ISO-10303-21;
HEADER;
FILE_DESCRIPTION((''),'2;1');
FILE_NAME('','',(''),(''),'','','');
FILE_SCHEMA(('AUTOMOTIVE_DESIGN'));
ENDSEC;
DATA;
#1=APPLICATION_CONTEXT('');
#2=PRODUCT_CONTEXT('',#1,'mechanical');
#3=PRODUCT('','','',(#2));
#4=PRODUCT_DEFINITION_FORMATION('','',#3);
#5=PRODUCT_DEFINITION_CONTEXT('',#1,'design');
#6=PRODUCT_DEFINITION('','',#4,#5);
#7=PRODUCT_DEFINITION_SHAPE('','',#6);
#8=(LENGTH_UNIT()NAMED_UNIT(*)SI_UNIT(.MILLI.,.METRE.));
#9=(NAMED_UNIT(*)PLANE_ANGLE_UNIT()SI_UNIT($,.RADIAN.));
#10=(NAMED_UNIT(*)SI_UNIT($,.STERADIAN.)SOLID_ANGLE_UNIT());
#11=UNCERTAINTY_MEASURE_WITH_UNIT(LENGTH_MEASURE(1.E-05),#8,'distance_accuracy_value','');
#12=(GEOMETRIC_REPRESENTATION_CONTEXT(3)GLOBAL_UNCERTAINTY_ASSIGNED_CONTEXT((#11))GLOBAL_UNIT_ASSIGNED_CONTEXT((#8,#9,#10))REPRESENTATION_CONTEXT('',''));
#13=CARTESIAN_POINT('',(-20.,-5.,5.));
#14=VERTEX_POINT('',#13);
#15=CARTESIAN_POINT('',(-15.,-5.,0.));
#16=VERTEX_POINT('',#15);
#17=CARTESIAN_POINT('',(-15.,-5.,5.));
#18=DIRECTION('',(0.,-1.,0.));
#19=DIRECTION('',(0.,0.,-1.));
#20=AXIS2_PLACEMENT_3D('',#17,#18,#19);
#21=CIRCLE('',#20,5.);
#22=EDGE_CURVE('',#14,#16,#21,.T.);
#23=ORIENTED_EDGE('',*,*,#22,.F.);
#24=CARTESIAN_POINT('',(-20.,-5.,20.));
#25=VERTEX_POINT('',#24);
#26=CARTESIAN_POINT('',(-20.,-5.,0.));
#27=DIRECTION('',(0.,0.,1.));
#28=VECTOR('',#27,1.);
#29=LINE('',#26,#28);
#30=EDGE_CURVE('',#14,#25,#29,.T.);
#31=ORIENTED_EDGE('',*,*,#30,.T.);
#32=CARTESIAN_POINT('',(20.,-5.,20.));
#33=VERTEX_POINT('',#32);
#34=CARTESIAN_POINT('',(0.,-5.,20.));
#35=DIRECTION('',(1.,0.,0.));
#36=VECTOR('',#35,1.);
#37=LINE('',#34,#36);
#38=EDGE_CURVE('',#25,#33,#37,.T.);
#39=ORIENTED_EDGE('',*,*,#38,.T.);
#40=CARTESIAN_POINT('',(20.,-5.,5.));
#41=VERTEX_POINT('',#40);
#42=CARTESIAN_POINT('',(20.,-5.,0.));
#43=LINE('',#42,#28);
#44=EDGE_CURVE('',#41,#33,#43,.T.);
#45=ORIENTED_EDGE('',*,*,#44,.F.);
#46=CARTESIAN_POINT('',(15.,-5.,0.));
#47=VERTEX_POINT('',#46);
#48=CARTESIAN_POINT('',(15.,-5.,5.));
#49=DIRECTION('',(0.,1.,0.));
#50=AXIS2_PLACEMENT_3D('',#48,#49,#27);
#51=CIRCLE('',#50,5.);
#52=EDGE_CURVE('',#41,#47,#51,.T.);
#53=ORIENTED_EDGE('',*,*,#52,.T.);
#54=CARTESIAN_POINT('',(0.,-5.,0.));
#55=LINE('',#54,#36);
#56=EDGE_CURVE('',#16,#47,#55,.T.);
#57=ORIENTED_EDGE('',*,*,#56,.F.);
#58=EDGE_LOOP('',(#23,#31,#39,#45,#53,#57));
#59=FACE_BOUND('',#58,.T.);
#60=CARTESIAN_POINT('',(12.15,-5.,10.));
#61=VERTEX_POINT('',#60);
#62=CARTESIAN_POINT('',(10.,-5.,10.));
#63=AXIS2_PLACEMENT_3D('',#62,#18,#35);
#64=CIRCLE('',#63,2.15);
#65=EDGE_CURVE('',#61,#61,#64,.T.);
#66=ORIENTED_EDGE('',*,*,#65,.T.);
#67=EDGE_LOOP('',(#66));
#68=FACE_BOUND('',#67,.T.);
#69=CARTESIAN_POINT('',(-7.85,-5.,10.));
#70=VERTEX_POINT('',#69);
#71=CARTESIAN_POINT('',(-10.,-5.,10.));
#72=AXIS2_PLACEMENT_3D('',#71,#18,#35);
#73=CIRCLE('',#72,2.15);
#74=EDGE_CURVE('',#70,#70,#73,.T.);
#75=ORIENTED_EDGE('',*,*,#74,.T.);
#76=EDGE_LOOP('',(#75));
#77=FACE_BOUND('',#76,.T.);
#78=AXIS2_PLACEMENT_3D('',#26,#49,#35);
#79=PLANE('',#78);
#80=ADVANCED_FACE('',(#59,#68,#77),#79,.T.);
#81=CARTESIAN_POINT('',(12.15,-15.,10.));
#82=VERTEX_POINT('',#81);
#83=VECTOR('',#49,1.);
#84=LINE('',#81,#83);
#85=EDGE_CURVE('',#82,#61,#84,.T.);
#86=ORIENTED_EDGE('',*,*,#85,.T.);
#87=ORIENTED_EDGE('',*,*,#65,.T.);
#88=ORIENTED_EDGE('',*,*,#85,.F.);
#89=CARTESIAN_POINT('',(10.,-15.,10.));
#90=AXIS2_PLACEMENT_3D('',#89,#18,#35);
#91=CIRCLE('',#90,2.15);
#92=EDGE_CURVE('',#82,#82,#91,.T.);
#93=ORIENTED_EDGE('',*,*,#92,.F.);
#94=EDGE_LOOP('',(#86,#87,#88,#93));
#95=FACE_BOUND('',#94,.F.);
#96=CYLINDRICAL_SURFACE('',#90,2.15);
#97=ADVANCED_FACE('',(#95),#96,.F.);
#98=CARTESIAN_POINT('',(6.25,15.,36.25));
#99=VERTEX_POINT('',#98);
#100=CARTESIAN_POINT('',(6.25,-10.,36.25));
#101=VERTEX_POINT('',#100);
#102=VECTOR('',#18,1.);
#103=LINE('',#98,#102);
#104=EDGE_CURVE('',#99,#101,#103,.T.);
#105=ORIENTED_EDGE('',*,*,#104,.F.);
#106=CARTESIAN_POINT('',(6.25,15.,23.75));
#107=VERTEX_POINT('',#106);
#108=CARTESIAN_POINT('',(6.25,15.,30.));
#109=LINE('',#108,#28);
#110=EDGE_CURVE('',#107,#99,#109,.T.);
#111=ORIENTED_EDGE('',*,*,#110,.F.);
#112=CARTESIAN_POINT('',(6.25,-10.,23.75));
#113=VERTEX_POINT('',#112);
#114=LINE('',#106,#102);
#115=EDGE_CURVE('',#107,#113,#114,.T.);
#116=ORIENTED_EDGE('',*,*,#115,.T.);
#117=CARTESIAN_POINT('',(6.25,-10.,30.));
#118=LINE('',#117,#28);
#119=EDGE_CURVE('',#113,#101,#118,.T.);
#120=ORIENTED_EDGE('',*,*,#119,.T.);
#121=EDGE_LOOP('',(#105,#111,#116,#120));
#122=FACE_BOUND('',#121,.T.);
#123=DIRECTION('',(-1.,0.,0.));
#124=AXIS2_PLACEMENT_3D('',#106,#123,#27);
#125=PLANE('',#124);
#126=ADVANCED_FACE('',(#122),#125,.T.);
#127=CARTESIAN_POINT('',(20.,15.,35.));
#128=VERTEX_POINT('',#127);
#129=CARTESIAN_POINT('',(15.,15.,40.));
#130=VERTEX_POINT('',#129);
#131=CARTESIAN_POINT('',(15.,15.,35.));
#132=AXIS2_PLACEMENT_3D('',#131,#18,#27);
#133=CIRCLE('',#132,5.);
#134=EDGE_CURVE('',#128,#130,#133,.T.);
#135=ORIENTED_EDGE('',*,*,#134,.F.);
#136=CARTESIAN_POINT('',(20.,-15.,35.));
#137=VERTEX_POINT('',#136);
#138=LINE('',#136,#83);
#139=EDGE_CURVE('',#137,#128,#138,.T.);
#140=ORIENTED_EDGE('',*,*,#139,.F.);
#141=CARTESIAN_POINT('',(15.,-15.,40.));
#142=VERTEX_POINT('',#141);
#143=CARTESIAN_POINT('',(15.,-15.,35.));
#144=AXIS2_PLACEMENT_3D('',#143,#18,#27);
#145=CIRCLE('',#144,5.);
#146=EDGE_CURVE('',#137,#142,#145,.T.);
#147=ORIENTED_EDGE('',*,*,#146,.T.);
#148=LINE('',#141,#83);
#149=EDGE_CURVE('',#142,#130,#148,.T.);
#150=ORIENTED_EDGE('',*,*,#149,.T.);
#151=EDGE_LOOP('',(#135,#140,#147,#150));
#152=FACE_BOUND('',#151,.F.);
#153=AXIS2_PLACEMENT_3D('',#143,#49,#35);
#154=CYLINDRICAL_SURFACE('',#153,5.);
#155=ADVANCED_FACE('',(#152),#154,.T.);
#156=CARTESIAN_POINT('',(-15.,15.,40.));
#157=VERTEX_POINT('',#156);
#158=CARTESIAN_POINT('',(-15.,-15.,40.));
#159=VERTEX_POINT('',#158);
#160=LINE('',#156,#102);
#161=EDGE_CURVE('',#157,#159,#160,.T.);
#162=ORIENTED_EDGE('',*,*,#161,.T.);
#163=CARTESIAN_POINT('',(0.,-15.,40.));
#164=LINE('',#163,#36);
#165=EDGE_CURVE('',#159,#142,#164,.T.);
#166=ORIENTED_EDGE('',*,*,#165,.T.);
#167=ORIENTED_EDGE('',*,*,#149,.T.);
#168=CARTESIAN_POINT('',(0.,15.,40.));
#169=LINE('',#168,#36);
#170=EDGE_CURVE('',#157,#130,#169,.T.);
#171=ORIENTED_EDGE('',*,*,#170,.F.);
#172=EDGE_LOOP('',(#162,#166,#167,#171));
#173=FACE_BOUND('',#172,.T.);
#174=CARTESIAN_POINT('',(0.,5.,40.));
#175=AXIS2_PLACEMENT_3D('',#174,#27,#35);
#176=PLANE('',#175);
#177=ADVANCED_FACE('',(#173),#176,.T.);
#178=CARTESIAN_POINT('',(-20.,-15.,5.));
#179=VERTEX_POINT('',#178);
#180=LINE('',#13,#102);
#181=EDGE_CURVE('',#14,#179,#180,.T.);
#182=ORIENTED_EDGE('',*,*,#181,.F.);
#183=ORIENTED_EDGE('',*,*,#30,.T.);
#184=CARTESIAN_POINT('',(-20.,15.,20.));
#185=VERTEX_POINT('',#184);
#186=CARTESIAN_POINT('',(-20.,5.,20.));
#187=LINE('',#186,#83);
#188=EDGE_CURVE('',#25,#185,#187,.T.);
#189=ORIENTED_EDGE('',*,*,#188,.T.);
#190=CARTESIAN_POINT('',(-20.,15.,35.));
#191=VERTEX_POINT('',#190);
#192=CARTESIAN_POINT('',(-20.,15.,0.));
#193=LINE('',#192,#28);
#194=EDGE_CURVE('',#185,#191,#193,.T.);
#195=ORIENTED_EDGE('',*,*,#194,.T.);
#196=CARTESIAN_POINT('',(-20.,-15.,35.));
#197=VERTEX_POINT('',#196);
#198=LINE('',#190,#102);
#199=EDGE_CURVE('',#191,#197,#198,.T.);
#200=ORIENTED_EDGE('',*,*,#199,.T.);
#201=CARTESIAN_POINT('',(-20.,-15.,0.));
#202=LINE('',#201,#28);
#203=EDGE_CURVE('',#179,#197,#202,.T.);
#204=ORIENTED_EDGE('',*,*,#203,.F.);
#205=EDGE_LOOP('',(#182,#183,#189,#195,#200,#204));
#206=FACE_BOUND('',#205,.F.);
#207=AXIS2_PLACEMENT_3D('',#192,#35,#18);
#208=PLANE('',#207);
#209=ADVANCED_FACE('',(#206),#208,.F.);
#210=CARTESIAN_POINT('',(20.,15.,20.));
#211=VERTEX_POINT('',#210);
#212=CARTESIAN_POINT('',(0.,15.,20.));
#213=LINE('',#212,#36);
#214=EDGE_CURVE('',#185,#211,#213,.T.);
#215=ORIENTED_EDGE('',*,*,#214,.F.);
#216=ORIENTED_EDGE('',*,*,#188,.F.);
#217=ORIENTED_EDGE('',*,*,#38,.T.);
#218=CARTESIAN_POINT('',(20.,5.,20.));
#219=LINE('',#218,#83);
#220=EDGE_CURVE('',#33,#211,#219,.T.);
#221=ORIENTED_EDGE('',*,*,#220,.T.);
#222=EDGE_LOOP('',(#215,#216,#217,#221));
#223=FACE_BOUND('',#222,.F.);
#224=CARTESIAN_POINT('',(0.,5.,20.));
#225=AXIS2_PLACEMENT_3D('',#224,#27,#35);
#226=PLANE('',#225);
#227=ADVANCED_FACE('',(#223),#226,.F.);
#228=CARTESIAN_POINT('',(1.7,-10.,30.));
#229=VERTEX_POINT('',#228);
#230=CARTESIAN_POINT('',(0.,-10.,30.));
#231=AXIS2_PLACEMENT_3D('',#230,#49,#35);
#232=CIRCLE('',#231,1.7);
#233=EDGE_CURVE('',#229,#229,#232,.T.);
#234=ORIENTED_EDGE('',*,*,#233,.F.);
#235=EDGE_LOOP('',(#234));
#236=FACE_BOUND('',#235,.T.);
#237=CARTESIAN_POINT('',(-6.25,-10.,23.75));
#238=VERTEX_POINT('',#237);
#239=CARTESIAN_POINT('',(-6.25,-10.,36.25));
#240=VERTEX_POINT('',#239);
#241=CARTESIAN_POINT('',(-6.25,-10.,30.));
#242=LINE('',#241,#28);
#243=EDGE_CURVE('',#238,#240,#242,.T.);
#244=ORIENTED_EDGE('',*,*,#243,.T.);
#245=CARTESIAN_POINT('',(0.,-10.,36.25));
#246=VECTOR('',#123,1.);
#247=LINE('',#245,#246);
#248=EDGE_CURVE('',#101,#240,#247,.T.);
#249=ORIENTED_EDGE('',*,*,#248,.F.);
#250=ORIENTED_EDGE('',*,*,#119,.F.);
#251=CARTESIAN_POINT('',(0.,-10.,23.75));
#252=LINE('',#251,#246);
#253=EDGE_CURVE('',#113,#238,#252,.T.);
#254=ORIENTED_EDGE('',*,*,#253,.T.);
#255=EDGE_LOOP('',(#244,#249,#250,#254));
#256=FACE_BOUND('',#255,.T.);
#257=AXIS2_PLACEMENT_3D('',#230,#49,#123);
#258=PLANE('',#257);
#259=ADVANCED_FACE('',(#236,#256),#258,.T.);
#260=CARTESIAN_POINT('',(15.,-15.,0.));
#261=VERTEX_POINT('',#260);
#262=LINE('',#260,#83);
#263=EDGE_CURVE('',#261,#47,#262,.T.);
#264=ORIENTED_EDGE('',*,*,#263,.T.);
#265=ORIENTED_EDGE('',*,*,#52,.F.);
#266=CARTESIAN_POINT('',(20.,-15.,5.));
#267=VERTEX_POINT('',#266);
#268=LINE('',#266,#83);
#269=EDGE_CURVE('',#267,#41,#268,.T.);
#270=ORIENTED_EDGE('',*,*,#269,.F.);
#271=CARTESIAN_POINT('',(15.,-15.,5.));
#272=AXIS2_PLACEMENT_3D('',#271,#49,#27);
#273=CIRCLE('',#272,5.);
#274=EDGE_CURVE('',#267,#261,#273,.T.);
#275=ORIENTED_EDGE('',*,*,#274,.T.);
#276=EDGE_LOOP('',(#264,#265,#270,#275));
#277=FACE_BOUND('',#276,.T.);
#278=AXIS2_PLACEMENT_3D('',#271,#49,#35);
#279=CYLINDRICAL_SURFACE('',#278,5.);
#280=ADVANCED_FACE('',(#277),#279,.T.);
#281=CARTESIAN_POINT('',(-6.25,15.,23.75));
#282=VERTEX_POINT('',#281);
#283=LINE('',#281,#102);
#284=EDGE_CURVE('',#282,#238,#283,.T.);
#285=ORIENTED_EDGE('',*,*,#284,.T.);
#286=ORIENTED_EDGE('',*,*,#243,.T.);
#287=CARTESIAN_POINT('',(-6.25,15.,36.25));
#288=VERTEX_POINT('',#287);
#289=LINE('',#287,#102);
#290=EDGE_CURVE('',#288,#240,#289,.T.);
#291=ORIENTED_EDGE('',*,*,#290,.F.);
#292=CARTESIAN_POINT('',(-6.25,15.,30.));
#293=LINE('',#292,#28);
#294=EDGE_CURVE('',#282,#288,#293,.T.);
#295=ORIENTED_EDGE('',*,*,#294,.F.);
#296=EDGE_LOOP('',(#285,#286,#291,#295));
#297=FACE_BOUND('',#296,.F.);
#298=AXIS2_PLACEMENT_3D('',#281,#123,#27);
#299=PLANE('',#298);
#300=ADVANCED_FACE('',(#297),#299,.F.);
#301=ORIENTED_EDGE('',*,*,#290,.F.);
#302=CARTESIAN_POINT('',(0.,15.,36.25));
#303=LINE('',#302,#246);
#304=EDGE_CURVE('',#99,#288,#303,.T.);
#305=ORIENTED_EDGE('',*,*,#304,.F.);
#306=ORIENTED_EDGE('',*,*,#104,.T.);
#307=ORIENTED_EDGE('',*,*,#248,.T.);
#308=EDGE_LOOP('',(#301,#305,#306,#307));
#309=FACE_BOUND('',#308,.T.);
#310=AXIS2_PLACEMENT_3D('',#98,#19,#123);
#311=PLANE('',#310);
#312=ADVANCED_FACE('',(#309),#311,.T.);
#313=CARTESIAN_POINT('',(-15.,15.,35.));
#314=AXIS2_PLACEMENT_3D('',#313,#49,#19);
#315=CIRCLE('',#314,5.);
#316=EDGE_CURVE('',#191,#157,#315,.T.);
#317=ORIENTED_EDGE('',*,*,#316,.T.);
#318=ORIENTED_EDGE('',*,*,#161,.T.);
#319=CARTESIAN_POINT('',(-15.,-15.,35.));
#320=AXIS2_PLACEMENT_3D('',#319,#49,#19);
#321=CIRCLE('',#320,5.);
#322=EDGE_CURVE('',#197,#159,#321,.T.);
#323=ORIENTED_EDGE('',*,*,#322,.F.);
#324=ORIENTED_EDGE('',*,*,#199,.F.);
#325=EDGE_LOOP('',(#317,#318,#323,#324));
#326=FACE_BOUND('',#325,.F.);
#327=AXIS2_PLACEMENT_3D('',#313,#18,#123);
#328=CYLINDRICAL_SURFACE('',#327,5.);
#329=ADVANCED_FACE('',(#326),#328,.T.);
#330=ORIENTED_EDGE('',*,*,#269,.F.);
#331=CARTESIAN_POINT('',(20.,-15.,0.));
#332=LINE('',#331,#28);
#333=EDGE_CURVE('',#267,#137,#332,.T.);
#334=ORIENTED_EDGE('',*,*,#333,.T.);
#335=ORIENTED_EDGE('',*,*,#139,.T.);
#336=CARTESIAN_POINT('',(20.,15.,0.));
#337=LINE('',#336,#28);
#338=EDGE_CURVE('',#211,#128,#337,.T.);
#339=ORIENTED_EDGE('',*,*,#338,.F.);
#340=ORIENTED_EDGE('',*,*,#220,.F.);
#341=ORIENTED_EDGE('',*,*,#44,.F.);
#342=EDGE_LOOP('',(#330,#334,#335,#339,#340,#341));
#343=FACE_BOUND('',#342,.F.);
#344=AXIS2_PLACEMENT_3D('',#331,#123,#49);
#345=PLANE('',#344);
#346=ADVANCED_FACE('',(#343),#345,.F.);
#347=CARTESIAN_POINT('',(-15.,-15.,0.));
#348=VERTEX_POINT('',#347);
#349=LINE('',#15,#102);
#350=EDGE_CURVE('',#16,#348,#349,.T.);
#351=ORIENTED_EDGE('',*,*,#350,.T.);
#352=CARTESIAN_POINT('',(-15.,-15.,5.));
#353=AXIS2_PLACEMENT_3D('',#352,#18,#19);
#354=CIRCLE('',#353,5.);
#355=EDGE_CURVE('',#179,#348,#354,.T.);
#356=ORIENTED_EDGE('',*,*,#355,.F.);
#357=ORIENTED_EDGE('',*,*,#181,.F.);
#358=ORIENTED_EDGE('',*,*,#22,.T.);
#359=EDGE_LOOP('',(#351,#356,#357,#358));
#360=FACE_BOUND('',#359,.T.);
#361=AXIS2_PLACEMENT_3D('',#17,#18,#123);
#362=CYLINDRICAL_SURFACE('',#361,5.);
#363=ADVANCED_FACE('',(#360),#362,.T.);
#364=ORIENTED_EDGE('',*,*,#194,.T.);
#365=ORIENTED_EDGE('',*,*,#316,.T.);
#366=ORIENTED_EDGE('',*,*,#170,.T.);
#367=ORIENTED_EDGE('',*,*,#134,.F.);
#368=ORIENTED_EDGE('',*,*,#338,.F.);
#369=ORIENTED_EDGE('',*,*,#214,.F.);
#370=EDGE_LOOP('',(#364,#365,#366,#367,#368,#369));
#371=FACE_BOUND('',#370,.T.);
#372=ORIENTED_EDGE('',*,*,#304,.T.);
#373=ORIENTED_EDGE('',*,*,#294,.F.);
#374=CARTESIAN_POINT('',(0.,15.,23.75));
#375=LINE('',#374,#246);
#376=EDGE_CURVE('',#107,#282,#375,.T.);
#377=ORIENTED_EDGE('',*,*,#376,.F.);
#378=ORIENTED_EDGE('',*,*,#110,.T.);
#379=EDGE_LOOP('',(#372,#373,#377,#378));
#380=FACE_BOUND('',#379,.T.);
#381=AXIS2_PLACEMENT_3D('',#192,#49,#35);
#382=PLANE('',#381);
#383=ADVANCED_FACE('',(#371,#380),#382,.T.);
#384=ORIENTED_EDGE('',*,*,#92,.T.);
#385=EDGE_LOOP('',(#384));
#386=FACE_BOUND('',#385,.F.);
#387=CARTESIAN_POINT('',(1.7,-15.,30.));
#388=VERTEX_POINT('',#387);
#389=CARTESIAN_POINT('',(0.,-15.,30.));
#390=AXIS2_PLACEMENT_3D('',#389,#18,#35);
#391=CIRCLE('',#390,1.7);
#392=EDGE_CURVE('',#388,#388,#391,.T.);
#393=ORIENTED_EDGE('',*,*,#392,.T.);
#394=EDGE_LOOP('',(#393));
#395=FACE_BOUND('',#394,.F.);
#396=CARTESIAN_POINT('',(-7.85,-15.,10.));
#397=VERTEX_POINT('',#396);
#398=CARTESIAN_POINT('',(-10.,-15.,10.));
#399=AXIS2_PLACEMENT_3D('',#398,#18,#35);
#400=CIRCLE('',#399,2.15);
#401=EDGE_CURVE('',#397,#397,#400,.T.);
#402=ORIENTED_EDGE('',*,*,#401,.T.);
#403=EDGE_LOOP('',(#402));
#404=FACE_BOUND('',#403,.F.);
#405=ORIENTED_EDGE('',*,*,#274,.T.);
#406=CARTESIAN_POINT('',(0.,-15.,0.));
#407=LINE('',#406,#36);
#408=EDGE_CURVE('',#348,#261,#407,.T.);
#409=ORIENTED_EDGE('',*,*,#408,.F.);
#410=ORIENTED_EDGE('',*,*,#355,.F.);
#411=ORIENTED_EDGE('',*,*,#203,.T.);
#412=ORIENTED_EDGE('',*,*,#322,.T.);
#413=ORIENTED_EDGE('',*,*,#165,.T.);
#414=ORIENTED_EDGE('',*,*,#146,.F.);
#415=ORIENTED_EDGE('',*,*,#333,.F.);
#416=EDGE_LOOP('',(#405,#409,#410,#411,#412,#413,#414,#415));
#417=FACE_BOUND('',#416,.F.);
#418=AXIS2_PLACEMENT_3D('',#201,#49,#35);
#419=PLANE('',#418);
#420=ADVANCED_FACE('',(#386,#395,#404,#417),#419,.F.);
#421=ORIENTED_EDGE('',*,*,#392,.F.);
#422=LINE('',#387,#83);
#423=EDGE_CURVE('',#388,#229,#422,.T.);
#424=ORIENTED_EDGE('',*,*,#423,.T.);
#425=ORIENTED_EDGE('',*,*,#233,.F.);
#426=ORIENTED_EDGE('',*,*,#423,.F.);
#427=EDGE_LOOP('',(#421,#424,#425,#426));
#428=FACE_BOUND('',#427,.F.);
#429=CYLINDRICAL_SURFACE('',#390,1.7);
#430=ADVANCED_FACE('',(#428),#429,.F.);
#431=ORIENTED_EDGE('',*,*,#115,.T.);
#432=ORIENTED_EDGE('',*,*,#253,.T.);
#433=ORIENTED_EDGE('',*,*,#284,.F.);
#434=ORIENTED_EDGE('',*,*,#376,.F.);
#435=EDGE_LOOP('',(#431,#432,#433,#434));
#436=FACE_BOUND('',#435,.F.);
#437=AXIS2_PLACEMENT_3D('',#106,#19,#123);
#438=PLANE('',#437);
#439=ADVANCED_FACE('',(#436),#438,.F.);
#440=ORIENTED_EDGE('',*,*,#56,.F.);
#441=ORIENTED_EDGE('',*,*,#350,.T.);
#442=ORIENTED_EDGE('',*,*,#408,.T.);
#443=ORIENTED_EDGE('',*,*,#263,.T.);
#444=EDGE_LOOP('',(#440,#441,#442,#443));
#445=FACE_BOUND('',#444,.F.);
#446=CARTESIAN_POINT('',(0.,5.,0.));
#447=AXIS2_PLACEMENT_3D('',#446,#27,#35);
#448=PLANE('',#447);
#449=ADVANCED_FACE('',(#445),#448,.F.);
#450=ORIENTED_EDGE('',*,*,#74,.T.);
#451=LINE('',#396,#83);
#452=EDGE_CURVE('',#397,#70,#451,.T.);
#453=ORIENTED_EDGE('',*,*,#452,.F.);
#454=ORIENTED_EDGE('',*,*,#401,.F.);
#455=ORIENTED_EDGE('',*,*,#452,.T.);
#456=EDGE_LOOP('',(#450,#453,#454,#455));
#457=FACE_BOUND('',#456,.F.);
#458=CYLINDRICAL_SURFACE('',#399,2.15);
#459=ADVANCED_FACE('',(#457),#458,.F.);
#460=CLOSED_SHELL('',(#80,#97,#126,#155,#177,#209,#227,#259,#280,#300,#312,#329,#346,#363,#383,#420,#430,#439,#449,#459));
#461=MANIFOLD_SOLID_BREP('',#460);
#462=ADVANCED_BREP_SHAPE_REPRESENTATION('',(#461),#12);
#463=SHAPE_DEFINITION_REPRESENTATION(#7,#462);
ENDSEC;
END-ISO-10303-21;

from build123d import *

# Parameters (mm, degrees)
F0_W     = 40
F0_H     = 20
F0_H_2   = 10
F1_DEPTH = 40
F2_DEPTH = 20
F3_R     = 2.15
F3_R_2   = 1.7
F4_DEPTH = 40
F5_W     = 12.5
F5_H     = 12.5
F5_R     = 1.7
F6_DEPTH = 25
F7_R     = 5


with BuildPart() as f1:
    # F0 (on Top) → F1 (new body)
    with BuildSketch(Plane.XY):
        with Locations((0, 5)):
            Rectangle(F0_W, F0_H)
        with Locations((0, -10)):
            Rectangle(F0_W, F0_H_2)
    extrude(amount=F1_DEPTH)

    # F0 (on Top) → F2 (cut)
    with BuildSketch(Plane.XY):
        with Locations((0, 5)):
            Rectangle(F0_W, F0_H)
    extrude(amount=F2_DEPTH, mode=Mode.SUBTRACT)

    # F3 (on face) → F4 (cut)
    with BuildSketch(Plane.XZ.offset(15)):
        with Locations((-10, 10)):
            Circle(F3_R)
        with Locations((10, 10)):
            Circle(F3_R)
        with Locations((0, 30)):
            Circle(F3_R_2)
    extrude(amount=-F4_DEPTH, mode=Mode.SUBTRACT)

    # F5 (on face) → F6 (cut)
    with BuildSketch(Plane(origin=(0, 15, 0), x_dir=(-1, 0, 0), z_dir=(0, 1, 0))):
        with Locations((0, 30)):
            Rectangle(F5_W, F5_H)
        with Locations((0, 30)):
            Circle(F5_R, mode=Mode.SUBTRACT)
    extrude(amount=-F6_DEPTH, mode=Mode.SUBTRACT)

    # F7
    f7_edges = [f1.edges().sort_by_distance(p)[0] for p in [
        (-20, -10, 0),
        (20, -10, 0),
        (-20, 0, 40),
        (20, 0, 40),
    ]]
    fillet(f7_edges, radius=F7_R)


solid = f1.part
